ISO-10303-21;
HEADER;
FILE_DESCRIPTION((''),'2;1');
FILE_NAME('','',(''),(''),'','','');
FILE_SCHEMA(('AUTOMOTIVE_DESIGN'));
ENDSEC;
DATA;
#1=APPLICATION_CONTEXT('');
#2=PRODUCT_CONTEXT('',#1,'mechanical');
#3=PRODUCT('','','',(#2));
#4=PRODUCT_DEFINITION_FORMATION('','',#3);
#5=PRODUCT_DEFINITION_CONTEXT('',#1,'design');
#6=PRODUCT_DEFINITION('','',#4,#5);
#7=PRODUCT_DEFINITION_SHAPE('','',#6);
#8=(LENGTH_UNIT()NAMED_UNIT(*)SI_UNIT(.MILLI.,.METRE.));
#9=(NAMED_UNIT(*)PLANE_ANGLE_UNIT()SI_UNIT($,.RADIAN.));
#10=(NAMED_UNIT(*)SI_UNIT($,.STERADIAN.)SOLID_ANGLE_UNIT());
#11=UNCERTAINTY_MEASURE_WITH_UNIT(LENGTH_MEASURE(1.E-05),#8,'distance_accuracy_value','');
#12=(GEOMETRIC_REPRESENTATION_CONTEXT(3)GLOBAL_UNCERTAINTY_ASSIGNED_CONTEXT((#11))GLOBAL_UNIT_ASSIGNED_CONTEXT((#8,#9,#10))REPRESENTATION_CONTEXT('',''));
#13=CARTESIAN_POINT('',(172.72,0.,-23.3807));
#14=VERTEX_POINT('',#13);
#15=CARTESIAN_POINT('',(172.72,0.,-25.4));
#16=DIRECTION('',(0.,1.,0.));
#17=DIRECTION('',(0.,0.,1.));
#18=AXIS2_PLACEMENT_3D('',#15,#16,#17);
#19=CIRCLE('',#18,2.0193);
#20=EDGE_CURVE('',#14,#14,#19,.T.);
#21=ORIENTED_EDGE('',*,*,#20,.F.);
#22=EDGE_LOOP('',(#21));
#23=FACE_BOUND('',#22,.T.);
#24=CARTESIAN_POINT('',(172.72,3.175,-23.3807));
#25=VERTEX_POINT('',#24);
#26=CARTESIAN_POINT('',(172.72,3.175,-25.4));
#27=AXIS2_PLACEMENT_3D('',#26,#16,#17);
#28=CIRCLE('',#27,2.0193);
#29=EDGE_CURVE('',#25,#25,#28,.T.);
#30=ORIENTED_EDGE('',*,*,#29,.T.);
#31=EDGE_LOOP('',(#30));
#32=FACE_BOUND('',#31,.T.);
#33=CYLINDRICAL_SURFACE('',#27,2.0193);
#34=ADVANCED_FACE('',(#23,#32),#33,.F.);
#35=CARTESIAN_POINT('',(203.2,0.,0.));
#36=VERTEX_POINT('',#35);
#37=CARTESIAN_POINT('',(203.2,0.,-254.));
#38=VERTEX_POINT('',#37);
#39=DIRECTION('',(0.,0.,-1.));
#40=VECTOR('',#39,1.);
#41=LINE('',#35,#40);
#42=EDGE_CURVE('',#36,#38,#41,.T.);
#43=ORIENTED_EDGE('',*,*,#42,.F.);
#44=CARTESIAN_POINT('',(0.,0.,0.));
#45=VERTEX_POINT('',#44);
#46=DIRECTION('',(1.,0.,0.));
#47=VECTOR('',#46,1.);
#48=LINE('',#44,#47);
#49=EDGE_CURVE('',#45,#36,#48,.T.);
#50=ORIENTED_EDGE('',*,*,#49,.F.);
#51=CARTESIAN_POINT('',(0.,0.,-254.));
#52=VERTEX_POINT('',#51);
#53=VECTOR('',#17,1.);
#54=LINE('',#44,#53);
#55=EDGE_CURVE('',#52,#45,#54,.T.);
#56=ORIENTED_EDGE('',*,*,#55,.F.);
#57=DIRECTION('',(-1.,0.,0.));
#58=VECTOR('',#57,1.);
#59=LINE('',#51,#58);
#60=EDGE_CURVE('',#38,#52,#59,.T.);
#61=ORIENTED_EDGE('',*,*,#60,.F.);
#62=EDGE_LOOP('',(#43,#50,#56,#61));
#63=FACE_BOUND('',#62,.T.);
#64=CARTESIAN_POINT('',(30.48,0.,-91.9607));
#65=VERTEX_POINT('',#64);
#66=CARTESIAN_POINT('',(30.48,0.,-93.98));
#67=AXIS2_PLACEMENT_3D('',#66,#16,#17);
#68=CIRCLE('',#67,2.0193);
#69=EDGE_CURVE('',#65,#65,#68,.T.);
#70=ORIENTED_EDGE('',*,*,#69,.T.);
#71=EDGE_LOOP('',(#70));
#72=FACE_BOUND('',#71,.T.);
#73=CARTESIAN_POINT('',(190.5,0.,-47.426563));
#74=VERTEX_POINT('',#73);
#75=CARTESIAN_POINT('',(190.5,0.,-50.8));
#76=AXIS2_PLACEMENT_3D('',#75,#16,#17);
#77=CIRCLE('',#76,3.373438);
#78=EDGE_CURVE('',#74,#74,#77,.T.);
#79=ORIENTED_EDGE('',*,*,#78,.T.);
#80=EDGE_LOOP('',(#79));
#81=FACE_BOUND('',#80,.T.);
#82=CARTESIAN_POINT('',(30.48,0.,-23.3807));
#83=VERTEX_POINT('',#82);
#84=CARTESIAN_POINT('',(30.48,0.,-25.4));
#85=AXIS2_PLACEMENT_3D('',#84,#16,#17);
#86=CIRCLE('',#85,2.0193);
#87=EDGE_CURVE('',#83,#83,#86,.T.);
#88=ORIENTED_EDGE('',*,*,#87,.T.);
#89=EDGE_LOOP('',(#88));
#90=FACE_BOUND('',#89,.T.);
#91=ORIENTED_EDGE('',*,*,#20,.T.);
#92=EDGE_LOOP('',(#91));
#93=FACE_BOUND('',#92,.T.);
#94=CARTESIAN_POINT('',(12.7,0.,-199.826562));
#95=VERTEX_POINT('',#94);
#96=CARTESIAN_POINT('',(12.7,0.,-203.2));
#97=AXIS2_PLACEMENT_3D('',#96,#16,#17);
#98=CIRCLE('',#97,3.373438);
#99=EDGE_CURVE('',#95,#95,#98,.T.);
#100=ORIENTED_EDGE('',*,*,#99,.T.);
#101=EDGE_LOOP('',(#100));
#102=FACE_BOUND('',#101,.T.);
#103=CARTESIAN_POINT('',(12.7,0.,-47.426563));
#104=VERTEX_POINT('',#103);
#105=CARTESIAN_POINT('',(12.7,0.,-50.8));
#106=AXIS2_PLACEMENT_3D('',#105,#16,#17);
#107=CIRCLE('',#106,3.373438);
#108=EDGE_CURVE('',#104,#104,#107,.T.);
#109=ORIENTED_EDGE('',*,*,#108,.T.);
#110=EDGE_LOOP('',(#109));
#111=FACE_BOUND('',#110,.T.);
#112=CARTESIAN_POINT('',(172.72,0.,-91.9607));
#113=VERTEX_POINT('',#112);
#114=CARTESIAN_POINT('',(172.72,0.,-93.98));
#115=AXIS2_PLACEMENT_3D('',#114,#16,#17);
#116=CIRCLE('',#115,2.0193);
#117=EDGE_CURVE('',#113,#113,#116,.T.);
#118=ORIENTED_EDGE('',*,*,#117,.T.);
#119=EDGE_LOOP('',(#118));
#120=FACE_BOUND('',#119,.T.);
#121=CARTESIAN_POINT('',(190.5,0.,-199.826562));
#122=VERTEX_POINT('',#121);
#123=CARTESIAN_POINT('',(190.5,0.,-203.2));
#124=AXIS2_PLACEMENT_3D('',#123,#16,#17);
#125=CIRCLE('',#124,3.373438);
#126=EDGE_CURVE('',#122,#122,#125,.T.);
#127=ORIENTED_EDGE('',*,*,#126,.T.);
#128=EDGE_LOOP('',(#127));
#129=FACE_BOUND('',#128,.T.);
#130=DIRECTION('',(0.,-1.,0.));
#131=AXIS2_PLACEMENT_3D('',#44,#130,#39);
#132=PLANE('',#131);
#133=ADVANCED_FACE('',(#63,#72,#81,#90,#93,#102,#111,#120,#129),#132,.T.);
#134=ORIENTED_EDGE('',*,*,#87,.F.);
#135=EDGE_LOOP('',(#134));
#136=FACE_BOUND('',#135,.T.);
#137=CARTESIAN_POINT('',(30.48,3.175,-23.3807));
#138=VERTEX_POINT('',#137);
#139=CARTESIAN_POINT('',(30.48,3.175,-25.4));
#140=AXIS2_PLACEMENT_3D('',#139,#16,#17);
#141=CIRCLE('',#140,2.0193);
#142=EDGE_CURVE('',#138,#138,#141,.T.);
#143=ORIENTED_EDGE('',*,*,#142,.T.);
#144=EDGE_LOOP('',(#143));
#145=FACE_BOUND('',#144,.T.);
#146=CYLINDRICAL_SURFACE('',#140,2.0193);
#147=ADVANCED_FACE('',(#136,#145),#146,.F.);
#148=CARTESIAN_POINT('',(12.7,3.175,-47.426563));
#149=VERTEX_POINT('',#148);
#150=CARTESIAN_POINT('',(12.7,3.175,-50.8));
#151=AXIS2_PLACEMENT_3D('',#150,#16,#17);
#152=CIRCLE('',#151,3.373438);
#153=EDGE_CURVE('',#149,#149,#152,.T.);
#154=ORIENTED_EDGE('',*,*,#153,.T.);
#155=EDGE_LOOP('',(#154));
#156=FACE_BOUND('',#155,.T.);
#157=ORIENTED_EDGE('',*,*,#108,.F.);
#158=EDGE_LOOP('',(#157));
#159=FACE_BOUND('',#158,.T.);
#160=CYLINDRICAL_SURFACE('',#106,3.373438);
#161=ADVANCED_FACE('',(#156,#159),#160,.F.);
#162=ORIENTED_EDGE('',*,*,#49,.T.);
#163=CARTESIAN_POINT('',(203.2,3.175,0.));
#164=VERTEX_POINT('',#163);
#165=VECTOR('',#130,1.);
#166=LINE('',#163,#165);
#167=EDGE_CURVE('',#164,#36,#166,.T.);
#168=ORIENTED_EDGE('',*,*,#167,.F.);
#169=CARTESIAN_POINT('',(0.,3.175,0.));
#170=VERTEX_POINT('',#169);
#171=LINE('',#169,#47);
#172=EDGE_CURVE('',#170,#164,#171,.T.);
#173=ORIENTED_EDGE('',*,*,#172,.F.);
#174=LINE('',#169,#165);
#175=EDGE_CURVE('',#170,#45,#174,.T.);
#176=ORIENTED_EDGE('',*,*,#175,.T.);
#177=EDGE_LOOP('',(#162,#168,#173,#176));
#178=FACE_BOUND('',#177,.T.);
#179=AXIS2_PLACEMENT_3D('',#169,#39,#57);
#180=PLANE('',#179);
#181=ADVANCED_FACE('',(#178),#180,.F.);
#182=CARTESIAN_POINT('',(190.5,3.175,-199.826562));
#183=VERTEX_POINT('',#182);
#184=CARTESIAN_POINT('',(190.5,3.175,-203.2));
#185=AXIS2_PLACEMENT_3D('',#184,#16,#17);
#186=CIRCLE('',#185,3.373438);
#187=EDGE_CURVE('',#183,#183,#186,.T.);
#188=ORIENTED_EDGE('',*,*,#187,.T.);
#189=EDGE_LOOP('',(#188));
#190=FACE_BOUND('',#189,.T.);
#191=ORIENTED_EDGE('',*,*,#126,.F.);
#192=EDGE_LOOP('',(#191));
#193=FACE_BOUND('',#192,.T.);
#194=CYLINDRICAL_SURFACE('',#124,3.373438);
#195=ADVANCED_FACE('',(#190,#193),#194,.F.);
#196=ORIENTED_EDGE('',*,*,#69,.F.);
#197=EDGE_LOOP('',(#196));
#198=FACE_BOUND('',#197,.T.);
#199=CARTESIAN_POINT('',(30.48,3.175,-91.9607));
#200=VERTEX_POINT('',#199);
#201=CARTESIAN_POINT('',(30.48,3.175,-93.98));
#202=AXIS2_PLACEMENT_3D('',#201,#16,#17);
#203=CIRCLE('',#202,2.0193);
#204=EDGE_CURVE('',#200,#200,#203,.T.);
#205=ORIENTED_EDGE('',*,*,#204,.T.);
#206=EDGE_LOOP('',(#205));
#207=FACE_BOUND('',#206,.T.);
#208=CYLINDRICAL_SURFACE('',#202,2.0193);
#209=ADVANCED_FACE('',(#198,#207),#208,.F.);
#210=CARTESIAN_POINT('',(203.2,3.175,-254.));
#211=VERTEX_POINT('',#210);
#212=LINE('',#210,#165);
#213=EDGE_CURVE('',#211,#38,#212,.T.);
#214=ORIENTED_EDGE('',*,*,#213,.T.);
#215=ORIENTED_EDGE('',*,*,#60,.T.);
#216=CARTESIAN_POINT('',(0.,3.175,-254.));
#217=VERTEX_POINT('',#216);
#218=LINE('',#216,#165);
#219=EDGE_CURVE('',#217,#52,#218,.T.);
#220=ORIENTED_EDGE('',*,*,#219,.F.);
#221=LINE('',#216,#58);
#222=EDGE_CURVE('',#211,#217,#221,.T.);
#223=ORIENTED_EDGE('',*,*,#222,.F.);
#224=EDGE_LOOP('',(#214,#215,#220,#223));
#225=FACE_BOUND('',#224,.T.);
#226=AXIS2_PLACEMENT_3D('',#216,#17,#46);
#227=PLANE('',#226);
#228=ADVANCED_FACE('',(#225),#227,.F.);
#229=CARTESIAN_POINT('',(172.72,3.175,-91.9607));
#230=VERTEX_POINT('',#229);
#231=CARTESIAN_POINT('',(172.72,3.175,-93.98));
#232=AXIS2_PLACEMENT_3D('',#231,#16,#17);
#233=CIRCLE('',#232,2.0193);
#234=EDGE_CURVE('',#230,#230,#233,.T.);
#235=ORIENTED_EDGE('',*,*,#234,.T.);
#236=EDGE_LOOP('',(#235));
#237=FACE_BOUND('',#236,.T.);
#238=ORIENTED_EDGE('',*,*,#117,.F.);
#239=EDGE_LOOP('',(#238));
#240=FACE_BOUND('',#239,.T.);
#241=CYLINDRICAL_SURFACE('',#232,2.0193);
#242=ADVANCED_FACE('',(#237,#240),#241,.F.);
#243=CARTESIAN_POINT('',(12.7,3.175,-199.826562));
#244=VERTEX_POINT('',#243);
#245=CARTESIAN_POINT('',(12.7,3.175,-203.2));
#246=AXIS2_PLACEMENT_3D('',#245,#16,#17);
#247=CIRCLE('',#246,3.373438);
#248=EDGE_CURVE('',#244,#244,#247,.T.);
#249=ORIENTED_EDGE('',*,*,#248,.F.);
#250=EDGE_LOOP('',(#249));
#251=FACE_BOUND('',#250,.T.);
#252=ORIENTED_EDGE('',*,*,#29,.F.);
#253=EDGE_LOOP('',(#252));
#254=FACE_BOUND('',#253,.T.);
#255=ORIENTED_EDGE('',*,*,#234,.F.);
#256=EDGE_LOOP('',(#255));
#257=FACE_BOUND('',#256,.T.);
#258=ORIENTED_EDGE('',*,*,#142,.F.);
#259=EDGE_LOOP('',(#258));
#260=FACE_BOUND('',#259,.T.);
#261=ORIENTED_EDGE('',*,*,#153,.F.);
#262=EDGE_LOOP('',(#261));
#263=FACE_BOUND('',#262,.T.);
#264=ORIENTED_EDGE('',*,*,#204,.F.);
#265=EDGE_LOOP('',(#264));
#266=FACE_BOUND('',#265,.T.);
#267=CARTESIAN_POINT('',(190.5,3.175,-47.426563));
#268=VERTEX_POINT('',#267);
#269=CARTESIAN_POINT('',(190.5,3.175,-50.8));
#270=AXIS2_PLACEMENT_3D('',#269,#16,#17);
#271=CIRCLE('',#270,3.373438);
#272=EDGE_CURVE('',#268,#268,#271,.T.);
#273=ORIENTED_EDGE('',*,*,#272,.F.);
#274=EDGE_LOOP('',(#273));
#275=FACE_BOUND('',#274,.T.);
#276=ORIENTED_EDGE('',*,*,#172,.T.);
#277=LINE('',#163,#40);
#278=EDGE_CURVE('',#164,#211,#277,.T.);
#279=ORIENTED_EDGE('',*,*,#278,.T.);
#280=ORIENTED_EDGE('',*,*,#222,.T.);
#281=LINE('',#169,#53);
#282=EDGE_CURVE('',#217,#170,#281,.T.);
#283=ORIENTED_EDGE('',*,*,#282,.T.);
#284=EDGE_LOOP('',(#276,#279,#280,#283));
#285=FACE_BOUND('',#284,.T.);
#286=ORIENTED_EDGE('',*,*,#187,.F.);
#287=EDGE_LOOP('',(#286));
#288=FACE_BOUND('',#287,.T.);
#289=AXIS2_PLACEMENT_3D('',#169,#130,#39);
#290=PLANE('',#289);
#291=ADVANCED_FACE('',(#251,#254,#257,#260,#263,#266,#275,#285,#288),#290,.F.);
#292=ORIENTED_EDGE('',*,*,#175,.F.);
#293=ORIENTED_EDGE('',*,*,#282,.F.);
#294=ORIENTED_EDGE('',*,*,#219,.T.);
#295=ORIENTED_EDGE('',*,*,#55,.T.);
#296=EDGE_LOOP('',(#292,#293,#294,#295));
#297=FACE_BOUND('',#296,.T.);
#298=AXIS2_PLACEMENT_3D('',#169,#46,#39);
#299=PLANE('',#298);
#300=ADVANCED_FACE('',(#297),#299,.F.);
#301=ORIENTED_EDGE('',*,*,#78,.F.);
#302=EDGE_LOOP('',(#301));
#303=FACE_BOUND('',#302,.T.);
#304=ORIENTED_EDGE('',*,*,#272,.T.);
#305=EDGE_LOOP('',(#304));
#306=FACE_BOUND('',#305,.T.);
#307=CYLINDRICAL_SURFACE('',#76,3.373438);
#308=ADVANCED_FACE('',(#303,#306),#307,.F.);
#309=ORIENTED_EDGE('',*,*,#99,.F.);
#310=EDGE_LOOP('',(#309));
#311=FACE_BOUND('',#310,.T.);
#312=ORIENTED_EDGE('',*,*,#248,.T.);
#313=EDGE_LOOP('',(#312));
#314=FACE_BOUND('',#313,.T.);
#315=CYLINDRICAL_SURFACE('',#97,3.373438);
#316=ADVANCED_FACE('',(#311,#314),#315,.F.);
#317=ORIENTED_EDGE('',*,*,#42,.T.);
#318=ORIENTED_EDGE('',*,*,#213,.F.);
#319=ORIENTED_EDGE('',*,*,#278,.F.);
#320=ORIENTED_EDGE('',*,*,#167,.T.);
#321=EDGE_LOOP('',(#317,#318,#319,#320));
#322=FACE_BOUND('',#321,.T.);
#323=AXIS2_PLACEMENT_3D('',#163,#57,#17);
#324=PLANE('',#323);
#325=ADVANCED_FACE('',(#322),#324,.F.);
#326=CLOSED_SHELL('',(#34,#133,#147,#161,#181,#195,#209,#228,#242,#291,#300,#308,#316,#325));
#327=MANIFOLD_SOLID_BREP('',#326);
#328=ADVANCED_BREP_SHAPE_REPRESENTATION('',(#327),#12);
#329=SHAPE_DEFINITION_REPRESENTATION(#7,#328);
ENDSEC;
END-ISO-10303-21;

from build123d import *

# Parameters (mm, degrees)
SKETCH1_W              = 203.2
SKETCH1_H              = 254
BOSS_EXTRUDE1_DEPTH    = 3.175
SKETCH2_R              = 3.3734375
CUT_EXTRUDE1_DEPTH     = 326.294206258
F_10_32_TAPPED_HOLE1_D = 4.0386


with BuildPart() as part:
    # Sketch1 → Boss-Extrude1 (new body)
    with BuildSketch(Plane(origin=(0, 0, 0), x_dir=(1, 0, 0), z_dir=(0, 1, 0))):
        with Locations((101.6, 127)):
            Rectangle(SKETCH1_W, SKETCH1_H)
    extrude(amount=BOSS_EXTRUDE1_DEPTH)

    # Sketch2 → Cut-Extrude1 (cut, through all)
    with BuildSketch(Plane(origin=(0, 3.175, 0), x_dir=(1, 0, 0), z_dir=(0, 1, 0))):
        with Locations(Location((190.5, 203.2, 0), (0, 0, 270))):
            Circle(SKETCH2_R)
        with Locations(Location((12.7, 203.2, 0), (0, 0, 270))):
            Circle(SKETCH2_R)
        with Locations(Location((12.7, 50.8, 0), (0, 0, 270))):
            Circle(SKETCH2_R)
        with Locations(Location((190.5, 50.8, 0), (0, 0, 270))):
            Circle(SKETCH2_R)
    extrude(amount=-CUT_EXTRUDE1_DEPTH, mode=Mode.SUBTRACT)

    # #10-32 Tapped Hole1 (through all)
    with Locations(Plane(origin=(0, 3.175, 0), x_dir=(1, 0, 0), z_dir=(0, 1, 0))):
        with Locations((172.72, 25.4), (172.72, 93.98), (30.48, 25.4), (30.48, 93.98)):
            Hole(F_10_32_TAPPED_HOLE1_D / 2)


solid = part.part
